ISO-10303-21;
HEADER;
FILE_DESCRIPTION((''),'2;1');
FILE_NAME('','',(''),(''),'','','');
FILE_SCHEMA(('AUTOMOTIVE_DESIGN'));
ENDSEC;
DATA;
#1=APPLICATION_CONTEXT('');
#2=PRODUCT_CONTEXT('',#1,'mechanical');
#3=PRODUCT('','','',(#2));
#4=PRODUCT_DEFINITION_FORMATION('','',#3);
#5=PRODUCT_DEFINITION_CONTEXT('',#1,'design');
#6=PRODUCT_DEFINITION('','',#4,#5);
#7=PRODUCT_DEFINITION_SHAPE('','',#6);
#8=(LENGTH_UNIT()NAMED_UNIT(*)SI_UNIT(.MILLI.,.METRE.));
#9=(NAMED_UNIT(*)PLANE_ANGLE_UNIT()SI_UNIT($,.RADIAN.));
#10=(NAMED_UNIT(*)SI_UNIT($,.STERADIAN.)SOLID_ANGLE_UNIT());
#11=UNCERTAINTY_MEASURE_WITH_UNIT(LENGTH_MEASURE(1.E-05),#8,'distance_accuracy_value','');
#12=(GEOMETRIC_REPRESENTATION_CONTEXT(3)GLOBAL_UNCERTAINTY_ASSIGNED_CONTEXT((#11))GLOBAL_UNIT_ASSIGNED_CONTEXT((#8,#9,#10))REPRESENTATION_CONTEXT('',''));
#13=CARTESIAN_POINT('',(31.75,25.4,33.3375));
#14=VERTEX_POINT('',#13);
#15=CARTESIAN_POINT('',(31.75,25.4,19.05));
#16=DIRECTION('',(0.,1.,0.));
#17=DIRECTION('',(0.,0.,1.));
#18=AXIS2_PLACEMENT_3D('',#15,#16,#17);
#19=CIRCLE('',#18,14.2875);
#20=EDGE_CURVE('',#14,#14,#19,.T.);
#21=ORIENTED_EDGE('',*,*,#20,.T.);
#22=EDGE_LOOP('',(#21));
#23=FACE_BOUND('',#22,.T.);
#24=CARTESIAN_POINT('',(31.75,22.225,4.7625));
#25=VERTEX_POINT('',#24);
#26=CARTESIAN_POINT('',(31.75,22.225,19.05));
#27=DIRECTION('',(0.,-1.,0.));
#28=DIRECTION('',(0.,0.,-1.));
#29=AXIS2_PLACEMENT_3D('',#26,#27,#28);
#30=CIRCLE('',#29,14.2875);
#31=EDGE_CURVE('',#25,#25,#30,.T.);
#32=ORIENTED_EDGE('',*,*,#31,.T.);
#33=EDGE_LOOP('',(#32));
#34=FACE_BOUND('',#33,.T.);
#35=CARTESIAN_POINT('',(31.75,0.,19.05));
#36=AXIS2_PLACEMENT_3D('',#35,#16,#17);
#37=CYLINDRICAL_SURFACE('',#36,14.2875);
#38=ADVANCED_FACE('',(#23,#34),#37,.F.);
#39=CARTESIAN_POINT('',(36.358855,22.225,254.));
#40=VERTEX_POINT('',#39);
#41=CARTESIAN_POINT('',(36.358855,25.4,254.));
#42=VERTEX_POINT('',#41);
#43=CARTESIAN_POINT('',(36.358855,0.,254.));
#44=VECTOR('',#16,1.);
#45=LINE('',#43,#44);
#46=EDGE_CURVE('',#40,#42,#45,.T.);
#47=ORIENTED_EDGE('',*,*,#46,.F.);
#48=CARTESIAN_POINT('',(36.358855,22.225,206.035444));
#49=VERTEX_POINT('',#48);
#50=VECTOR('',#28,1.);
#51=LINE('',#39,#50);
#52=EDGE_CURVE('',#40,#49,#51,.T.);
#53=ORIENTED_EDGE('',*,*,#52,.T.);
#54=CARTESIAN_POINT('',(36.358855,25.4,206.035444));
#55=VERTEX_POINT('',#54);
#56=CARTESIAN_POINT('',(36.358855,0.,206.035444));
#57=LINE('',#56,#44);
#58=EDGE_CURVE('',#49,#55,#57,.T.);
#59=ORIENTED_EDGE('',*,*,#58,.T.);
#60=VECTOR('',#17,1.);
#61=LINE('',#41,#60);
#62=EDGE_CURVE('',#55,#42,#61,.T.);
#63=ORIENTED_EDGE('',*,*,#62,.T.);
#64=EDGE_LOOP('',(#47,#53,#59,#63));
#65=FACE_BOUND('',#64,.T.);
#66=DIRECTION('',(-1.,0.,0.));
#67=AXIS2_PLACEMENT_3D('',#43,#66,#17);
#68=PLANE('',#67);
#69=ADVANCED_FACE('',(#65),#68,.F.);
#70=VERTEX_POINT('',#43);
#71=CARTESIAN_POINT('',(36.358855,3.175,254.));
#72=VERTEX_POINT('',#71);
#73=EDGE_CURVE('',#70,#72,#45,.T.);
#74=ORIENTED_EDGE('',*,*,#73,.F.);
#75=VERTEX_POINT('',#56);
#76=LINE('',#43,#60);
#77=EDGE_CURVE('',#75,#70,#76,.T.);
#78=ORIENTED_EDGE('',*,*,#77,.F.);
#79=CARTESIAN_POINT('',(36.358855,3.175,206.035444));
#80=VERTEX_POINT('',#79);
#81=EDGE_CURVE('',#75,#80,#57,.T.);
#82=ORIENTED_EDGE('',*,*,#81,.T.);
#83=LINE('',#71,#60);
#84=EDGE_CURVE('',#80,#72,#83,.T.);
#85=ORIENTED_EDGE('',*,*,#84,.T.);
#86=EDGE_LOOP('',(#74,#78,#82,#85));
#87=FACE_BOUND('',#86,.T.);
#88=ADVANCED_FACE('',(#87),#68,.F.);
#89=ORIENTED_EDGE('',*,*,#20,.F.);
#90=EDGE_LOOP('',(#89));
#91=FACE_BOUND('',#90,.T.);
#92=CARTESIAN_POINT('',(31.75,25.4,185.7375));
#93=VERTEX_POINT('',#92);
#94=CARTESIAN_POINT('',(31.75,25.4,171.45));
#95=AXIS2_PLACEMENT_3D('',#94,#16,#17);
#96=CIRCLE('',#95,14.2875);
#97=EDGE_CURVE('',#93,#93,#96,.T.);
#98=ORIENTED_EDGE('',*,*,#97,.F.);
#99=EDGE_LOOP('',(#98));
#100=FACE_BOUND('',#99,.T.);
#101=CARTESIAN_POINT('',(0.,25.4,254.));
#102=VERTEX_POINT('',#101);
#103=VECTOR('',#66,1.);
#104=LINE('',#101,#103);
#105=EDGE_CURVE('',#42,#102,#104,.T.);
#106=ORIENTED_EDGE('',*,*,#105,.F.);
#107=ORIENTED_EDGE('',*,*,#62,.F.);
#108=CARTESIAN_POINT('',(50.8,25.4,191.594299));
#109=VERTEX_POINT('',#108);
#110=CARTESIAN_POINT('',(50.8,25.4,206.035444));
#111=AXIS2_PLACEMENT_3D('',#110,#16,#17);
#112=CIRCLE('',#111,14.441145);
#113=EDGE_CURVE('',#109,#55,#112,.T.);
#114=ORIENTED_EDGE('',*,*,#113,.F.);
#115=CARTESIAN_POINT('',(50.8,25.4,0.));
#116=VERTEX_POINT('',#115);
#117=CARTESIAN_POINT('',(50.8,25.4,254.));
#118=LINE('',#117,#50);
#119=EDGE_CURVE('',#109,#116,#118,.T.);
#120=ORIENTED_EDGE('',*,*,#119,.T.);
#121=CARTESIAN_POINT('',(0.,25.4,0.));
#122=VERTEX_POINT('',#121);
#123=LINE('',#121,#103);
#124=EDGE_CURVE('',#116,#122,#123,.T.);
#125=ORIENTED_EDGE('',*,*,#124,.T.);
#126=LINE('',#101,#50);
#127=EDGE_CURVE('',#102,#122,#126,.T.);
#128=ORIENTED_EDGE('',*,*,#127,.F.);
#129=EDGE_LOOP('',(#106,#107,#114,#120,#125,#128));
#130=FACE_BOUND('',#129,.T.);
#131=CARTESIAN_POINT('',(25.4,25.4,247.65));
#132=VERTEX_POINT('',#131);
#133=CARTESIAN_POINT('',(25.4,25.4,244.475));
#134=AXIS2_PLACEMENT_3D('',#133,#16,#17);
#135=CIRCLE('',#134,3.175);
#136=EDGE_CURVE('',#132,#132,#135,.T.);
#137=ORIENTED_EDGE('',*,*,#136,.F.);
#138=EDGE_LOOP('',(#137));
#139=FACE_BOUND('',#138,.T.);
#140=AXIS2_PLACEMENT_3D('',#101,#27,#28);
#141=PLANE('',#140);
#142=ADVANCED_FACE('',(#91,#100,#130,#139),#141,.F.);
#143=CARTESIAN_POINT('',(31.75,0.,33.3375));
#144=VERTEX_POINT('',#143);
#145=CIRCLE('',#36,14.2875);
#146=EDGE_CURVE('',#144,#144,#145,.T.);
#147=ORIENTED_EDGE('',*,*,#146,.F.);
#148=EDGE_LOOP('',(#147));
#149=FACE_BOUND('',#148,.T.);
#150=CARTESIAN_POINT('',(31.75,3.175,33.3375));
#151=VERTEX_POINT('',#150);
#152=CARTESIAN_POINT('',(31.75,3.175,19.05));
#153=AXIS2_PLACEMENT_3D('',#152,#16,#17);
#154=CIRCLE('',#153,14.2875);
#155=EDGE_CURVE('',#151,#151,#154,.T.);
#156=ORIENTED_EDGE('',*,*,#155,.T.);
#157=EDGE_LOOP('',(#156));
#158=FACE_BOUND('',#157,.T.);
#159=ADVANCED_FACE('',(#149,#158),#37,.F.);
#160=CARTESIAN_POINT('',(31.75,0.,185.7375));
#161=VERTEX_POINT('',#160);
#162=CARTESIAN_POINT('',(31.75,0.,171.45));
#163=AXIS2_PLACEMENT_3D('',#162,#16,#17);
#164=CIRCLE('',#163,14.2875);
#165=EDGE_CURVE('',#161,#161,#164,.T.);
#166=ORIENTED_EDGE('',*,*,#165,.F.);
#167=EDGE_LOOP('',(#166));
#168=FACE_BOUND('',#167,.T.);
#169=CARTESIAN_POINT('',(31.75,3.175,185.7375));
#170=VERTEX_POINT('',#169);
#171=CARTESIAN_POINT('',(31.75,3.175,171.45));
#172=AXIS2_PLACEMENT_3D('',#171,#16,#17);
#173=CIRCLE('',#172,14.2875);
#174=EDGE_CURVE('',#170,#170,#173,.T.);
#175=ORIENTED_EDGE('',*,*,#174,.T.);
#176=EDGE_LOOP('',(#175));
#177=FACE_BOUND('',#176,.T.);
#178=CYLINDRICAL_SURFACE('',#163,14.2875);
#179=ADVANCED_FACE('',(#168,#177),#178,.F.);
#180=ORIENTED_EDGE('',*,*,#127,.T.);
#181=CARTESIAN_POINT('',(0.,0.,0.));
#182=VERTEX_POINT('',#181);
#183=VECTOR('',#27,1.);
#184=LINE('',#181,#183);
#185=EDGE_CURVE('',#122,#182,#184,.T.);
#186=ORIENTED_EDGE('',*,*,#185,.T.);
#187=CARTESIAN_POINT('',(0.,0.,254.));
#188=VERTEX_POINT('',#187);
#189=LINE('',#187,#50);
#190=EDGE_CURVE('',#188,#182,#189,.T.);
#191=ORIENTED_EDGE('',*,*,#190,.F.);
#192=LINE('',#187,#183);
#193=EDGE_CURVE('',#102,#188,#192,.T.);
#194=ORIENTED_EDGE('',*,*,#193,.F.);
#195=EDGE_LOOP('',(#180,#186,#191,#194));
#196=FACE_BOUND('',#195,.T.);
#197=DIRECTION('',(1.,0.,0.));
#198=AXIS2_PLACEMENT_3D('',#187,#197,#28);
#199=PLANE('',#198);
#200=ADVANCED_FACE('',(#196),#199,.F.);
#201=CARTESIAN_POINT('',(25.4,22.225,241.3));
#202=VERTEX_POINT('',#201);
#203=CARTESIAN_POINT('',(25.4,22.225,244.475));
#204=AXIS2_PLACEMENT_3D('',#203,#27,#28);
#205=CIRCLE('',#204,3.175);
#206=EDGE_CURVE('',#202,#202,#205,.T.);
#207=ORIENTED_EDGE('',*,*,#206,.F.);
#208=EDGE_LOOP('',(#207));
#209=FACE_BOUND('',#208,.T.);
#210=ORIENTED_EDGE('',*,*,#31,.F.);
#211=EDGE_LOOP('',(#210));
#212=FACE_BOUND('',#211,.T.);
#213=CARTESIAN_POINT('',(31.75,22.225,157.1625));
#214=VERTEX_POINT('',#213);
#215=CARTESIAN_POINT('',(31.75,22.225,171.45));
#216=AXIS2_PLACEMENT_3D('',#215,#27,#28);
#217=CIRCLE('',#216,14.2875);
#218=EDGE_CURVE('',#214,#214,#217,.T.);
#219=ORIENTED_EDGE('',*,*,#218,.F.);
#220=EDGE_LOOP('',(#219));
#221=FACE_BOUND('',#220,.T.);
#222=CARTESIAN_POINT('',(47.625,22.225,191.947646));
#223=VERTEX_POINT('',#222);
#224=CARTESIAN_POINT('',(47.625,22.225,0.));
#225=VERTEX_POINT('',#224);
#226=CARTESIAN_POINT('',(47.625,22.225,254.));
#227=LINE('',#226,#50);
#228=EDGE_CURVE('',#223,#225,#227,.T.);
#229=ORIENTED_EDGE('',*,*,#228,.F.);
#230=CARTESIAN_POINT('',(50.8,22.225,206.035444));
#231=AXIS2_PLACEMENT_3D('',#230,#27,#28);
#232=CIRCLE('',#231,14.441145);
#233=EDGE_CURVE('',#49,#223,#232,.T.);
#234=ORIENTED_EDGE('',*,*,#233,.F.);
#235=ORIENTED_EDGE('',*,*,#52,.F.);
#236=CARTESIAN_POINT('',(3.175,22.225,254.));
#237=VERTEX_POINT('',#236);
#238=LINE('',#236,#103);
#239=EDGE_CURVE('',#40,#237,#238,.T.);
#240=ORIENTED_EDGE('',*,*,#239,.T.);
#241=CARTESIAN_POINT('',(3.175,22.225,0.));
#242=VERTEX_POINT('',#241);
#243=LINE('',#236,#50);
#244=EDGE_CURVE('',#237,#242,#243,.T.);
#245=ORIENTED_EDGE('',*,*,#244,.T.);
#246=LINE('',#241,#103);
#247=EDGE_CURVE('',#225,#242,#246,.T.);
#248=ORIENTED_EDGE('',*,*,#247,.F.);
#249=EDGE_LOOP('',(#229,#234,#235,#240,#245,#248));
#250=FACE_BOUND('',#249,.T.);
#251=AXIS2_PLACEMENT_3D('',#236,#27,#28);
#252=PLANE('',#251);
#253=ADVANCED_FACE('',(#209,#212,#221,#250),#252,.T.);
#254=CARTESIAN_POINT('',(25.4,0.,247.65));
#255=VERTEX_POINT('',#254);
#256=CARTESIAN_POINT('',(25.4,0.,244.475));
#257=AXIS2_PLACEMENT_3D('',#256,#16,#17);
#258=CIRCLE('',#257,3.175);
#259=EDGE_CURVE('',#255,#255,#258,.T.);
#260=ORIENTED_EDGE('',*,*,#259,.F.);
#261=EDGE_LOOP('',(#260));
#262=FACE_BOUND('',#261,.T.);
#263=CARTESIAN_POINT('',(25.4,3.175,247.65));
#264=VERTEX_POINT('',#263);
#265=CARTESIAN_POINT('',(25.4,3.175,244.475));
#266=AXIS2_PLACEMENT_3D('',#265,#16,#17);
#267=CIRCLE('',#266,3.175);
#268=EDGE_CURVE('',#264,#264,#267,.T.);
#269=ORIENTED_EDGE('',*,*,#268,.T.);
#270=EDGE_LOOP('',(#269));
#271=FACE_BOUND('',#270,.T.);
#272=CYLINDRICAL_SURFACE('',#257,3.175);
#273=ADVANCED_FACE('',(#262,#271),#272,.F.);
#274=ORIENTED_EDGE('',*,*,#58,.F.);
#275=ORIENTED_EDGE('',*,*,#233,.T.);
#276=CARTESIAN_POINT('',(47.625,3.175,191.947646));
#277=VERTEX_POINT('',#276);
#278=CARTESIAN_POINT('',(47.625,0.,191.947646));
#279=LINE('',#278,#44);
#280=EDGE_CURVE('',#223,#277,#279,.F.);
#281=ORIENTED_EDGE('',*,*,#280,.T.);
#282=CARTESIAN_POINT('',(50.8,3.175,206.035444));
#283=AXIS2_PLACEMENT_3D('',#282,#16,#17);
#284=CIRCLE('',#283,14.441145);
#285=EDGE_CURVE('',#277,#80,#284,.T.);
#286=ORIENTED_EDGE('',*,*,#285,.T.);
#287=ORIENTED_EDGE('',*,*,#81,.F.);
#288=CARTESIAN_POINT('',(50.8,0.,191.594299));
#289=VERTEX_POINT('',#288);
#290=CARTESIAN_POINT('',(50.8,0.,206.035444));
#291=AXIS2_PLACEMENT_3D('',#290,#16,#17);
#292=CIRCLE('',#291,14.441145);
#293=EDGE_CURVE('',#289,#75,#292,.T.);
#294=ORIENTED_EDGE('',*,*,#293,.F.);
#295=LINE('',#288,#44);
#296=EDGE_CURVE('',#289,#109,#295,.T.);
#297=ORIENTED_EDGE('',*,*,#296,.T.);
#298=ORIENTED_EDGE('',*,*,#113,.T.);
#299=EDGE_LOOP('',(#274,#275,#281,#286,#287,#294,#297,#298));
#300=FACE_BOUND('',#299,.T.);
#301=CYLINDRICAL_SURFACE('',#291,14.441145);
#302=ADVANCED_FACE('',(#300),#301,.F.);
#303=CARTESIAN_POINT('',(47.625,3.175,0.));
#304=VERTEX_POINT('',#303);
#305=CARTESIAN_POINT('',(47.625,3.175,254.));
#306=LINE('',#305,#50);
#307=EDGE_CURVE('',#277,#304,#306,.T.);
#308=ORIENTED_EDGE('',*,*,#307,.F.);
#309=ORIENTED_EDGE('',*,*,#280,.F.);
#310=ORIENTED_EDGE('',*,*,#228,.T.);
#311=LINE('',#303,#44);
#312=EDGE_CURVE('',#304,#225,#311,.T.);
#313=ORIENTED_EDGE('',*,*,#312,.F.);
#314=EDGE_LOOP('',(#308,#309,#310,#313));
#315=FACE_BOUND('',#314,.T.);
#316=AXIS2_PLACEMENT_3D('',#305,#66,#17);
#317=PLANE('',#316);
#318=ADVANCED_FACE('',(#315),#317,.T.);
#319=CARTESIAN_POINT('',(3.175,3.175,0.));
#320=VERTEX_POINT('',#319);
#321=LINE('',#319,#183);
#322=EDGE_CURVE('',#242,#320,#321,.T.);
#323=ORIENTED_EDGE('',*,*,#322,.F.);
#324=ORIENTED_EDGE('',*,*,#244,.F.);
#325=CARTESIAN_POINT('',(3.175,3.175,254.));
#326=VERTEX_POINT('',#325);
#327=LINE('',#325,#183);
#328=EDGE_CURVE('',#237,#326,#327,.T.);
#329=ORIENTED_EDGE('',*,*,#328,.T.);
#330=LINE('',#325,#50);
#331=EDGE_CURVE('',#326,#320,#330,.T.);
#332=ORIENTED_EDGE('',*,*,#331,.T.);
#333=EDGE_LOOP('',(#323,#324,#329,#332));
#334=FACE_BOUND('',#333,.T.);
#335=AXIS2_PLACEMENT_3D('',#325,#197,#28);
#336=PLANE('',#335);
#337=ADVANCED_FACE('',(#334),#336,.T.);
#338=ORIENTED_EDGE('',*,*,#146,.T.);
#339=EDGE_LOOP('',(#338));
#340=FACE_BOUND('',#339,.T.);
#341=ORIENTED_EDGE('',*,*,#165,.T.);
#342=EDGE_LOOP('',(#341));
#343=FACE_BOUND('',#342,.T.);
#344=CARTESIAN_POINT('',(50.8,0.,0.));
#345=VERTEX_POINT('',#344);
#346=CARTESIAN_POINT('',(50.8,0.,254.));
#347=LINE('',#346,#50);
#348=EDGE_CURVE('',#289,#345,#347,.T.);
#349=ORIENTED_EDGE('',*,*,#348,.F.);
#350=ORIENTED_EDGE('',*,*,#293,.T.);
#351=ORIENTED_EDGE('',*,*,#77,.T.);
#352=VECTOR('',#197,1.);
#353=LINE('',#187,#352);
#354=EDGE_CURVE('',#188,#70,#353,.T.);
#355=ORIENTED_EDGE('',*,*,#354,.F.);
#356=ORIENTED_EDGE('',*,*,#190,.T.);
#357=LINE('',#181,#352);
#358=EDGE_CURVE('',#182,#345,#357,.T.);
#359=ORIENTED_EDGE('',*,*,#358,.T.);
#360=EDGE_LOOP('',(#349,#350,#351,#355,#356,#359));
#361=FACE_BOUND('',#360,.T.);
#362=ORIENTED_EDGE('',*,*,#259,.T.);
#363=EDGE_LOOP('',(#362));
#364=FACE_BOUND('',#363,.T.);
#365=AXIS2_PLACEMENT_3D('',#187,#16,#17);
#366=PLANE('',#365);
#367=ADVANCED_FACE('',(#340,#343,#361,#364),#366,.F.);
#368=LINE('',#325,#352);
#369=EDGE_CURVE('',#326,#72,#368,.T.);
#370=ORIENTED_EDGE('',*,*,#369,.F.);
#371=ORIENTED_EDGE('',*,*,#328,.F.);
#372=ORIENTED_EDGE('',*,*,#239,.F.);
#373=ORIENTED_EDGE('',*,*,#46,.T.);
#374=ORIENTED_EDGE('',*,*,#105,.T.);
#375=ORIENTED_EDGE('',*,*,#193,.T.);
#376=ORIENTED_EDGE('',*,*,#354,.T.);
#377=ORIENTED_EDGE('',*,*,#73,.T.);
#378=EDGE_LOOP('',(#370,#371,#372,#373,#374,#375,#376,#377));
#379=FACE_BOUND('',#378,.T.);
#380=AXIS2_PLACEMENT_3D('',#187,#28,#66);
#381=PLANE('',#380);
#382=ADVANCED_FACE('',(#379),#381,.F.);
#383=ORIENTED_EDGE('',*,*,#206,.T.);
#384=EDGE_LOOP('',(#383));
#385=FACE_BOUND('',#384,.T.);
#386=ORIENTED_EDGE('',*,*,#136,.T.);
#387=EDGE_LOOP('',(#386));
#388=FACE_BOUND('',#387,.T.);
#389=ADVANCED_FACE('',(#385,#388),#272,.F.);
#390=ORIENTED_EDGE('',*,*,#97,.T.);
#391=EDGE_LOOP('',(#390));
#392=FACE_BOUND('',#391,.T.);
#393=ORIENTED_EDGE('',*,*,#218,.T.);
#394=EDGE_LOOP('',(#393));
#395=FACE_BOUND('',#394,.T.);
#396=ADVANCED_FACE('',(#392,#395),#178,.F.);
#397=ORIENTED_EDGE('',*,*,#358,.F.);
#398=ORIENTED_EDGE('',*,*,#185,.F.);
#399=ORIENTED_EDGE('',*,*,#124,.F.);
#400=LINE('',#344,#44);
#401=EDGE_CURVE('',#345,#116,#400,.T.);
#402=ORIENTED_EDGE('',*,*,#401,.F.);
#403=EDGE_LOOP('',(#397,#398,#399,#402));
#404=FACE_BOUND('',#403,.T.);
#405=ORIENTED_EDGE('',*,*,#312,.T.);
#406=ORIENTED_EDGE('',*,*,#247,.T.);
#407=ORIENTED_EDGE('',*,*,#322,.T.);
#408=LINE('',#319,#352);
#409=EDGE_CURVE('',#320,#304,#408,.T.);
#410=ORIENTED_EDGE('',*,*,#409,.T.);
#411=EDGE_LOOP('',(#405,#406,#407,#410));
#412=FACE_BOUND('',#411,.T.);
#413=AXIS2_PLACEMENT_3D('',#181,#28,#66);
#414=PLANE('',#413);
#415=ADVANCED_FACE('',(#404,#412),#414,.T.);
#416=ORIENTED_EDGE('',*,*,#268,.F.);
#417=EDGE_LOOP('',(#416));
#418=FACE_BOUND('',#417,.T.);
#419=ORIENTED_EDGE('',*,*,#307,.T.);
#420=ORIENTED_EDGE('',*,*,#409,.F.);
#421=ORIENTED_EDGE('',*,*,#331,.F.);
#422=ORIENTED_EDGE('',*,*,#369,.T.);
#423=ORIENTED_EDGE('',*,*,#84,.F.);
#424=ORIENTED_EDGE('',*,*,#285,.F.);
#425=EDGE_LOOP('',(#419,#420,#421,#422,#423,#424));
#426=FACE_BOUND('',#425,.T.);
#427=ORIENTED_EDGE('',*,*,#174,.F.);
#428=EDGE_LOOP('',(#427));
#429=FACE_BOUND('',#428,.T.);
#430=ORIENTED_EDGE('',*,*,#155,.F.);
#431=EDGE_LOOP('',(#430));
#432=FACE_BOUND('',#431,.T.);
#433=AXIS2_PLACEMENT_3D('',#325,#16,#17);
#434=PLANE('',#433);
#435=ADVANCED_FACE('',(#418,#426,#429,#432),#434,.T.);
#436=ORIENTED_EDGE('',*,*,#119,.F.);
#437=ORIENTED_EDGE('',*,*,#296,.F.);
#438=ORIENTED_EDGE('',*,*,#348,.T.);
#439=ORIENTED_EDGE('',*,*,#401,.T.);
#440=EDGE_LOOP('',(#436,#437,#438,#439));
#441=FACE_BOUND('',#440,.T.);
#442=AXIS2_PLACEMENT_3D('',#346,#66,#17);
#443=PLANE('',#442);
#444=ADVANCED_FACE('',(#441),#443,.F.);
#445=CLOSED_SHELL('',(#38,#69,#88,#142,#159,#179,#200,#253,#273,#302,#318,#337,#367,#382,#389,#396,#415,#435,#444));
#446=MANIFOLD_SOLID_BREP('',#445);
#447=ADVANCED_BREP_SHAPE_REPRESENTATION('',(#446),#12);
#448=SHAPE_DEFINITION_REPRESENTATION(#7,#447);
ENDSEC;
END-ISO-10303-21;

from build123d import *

# Parameters (mm, degrees)
SKETCH1_W           = 50.8
SKETCH1_H           = 25.4
SKETCH1_W_2         = 44.45
SKETCH1_H_2         = 19.05
BOSS_EXTRUDE1_DEPTH = 254
SKETCH2_R           = 14.2875
CUT_EXTRUDE1_DEPTH  = 26.4
SKETCH3_R           = 3.175
CUT_EXTRUDE2_DEPTH  = 26.4
CUT_EXTRUDE3_DEPTH  = 26.4


with BuildPart() as part:
    # Sketch1 → Boss-Extrude1 (new body)
    with BuildSketch(Plane.XY):
        with Locations((25.4, 12.7)):
            Rectangle(SKETCH1_W, SKETCH1_H)
        with Locations((25.4, 12.7)):
            Rectangle(SKETCH1_W_2, SKETCH1_H_2, mode=Mode.SUBTRACT)
    extrude(amount=BOSS_EXTRUDE1_DEPTH)

    # Sketch2 → Cut-Extrude1 (cut, through all)
    with BuildSketch(Plane(origin=(0, 25.4, 0), x_dir=(1, 0, 0), z_dir=(0, 1, 0))):
        with Locations((31.75, -19.05)):
            Circle(SKETCH2_R)
        with Locations((31.75, -171.45)):
            Circle(SKETCH2_R)
    extrude(amount=-CUT_EXTRUDE1_DEPTH, mode=Mode.SUBTRACT)

    # Sketch3 → Cut-Extrude2 (cut, through all)
    with BuildSketch(Plane(origin=(0, 25.4, 0), x_dir=(1, 0, 0), z_dir=(0, 1, 0))):
        with Locations((25.4, -244.475)):
            Circle(SKETCH3_R)
    extrude(amount=-CUT_EXTRUDE2_DEPTH, mode=Mode.SUBTRACT)

    # Sketch4 → Cut-Extrude3 (cut, through all)
    with BuildSketch(Plane(origin=(0, 25.4, 0), x_dir=(1, 0, 0), z_dir=(0, 1, 0))):
        with BuildLine():
            Line((36.358855328, -254), (36.358855328, -206.035443665))
            ThreePointArc((36.358855328, -206.035443665), (40.588568674, -195.824012339), (50.8, -191.594298992))
            Line((50.8, -191.594298992), (50.8, -254))
            Line((50.8, -254), (36.358855328, -254))
        make_face()
    extrude(amount=-CUT_EXTRUDE3_DEPTH, mode=Mode.SUBTRACT)


solid = part.part
